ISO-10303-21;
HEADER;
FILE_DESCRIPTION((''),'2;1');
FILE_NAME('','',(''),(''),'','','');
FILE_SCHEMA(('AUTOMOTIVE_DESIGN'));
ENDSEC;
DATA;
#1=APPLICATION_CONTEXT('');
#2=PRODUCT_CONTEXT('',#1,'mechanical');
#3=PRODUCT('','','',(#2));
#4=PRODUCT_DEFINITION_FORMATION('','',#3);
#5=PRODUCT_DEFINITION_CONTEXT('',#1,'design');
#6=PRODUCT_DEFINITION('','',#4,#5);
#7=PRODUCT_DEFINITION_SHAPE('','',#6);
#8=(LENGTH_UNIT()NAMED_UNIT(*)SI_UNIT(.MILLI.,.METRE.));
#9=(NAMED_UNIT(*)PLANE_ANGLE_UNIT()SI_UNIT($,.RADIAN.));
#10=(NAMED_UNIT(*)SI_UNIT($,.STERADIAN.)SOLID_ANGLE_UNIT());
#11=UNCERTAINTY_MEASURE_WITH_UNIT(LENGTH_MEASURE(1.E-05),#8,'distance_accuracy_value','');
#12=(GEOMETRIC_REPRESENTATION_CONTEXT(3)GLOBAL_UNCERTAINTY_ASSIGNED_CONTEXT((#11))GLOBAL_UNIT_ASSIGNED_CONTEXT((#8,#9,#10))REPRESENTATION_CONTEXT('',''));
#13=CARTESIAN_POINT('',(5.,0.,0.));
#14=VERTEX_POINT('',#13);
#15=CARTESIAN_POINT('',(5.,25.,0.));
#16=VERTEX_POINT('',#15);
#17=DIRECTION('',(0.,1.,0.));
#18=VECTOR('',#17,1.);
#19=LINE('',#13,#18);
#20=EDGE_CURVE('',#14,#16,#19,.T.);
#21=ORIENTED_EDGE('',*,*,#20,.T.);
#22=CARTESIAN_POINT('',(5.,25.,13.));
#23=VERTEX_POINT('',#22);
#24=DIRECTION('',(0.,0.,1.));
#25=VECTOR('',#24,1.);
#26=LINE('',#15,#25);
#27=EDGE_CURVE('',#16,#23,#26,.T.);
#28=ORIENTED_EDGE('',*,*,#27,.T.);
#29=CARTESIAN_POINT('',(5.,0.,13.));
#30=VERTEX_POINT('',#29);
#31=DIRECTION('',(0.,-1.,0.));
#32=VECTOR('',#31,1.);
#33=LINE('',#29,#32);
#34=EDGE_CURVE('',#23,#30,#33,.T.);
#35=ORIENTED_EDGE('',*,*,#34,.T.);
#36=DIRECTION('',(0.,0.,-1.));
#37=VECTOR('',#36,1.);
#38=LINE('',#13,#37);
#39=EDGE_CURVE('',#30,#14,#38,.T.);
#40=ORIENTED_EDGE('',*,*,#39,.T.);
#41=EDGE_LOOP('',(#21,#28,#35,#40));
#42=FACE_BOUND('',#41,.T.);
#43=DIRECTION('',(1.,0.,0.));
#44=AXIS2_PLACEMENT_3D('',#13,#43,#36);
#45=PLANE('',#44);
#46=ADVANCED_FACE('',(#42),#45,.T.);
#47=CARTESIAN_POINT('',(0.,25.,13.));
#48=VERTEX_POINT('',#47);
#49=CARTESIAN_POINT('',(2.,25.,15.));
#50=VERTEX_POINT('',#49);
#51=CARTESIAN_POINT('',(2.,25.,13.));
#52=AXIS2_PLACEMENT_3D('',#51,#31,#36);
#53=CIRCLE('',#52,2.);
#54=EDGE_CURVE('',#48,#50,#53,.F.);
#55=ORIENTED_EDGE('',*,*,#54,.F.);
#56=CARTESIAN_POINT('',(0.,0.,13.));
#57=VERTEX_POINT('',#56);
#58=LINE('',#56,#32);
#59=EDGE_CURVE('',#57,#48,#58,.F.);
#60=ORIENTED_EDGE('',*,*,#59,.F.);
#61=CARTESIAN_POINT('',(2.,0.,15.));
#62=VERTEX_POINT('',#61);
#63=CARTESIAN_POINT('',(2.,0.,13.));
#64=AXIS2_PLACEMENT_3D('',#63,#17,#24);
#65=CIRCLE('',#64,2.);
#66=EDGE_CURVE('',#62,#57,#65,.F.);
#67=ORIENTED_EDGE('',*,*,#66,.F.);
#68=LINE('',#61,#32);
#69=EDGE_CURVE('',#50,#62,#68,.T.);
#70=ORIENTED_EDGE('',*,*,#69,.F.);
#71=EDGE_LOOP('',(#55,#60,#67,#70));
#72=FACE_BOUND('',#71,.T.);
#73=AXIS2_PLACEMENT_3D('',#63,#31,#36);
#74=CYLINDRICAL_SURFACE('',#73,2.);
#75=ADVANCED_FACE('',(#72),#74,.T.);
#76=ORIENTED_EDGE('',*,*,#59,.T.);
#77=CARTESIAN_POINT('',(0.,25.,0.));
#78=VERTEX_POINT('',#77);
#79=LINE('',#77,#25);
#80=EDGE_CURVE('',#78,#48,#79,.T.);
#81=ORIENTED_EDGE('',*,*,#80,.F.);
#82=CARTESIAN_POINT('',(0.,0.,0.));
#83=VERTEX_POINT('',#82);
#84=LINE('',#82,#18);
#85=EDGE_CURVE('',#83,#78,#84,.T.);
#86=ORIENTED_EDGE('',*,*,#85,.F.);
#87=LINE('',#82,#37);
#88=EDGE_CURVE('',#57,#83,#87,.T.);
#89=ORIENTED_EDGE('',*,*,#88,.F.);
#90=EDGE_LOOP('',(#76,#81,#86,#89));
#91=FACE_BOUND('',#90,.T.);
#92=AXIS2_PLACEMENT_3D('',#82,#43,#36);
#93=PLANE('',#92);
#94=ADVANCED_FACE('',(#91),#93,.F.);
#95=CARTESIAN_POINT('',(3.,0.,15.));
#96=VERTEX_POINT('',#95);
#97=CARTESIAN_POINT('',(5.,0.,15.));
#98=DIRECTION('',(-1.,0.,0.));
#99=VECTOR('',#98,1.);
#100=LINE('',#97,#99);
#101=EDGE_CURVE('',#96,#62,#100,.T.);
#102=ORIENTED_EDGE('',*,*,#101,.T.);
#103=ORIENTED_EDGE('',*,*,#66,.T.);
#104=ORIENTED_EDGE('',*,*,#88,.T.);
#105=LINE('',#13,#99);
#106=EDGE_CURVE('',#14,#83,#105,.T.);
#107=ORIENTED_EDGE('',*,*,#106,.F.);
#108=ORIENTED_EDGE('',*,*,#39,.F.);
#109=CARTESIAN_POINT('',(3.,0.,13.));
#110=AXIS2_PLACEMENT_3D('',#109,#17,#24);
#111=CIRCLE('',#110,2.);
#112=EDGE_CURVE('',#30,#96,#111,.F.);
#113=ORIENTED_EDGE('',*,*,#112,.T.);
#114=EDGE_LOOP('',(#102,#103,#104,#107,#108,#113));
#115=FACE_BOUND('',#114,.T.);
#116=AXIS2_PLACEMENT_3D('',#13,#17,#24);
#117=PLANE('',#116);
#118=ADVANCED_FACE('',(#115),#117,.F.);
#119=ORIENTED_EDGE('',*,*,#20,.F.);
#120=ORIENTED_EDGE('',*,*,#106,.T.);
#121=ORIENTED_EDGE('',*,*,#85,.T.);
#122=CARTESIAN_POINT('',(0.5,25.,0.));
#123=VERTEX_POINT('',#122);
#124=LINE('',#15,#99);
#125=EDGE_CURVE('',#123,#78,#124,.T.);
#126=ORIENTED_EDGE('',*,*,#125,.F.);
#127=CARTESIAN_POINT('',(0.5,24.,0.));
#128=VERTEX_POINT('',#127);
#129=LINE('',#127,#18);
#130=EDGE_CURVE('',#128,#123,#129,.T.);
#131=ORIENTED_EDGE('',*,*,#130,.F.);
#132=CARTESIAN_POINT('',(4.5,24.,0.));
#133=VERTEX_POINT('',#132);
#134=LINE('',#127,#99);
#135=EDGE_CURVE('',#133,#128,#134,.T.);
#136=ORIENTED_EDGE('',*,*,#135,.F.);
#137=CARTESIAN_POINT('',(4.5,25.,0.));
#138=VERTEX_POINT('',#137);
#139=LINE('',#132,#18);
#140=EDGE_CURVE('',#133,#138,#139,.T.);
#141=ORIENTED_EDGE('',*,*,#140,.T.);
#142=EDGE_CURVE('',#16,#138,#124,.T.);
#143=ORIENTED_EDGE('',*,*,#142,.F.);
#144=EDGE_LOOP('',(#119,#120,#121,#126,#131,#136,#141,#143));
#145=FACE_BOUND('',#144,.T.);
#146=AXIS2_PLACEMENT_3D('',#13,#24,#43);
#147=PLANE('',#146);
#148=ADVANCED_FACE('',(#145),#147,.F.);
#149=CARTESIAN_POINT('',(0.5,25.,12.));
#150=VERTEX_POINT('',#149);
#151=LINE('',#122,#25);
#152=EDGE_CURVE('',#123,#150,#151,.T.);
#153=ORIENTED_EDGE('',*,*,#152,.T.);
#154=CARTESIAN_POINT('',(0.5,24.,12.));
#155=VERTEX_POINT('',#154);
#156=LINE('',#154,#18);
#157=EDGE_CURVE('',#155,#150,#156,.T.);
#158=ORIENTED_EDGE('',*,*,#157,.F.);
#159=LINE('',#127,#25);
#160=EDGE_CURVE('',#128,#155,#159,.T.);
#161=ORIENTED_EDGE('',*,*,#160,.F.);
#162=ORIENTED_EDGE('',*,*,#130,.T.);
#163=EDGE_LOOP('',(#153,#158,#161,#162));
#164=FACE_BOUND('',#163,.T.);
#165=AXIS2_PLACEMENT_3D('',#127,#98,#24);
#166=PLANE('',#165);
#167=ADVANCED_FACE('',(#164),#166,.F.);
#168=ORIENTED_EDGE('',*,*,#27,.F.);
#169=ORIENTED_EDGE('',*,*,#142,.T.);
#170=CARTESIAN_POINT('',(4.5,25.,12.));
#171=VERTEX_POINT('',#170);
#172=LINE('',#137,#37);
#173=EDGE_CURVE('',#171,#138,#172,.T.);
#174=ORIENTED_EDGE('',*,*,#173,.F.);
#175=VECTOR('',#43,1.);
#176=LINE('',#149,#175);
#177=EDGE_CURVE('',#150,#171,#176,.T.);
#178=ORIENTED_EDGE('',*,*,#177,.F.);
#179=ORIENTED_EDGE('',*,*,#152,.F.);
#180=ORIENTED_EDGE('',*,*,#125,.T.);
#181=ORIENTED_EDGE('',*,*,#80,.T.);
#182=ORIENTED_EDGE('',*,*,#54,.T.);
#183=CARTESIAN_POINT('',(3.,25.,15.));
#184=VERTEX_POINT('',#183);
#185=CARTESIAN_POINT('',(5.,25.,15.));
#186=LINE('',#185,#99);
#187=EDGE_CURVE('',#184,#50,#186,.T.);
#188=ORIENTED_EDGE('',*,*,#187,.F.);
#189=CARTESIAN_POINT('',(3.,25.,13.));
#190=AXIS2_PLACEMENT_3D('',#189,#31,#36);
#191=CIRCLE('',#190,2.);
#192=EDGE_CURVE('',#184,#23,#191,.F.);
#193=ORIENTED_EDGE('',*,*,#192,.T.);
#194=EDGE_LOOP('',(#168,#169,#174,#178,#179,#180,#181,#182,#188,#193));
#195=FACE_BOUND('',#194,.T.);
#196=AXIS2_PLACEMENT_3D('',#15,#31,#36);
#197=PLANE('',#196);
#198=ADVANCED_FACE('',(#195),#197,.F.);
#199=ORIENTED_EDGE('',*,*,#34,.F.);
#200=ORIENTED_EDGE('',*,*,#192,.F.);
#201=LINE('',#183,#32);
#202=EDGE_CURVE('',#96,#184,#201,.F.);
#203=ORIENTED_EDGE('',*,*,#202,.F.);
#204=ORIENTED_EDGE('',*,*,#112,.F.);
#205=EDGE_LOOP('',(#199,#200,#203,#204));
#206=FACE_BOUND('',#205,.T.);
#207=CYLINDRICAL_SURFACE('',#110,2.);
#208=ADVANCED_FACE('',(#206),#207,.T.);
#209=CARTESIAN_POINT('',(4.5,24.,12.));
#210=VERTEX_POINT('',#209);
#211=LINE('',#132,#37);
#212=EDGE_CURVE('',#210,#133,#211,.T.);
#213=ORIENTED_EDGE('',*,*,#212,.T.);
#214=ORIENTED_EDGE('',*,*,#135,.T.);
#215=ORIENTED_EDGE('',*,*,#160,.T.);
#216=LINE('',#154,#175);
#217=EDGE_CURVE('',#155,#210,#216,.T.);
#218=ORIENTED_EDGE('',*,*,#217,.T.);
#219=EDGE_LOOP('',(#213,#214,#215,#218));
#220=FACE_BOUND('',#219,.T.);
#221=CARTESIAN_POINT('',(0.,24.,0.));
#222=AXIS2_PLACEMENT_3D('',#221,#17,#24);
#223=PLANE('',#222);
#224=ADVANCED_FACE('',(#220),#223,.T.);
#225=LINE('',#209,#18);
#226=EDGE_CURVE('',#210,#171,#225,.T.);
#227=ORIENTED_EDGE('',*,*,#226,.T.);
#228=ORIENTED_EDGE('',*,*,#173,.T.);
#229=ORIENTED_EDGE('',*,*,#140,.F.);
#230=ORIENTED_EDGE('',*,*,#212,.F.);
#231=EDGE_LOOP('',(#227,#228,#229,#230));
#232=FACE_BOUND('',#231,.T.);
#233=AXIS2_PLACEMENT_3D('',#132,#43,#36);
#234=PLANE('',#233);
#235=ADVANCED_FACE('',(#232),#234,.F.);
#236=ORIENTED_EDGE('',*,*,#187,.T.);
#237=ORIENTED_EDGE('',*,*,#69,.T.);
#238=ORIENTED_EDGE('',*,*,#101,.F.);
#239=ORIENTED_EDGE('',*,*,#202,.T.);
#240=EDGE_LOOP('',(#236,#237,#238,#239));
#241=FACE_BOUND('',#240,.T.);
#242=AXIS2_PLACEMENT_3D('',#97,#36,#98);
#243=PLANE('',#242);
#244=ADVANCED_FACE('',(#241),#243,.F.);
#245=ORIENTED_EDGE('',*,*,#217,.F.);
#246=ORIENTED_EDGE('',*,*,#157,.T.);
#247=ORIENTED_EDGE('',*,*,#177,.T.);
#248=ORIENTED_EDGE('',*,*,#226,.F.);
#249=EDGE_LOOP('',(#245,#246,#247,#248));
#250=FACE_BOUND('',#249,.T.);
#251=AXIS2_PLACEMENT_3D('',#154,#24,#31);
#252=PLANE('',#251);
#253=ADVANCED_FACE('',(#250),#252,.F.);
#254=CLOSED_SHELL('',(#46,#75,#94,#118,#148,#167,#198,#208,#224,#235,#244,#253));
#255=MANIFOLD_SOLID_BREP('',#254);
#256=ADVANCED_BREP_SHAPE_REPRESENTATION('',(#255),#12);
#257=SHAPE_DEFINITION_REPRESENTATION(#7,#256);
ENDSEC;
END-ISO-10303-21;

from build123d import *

# Parameters (mm, degrees)
SKETCH1_W           = 15
SKETCH1_H           = 25
BOSS_EXTRUDE1_DEPTH = 5
FILLET1_R           = 2
SKETCH2_W           = 4
SKETCH2_H           = 12
CUT_EXTRUDE1_DEPTH  = 1


with BuildPart() as part:
    # Sketch1 → Boss-Extrude1 (new body)
    with BuildSketch(Plane(origin=(0, 0, 0), x_dir=(0, 0, -1), z_dir=(1, 0, 0))):
        with Locations((-7.5, 12.5)):
            Rectangle(SKETCH1_W, SKETCH1_H)
    extrude(amount=BOSS_EXTRUDE1_DEPTH)

    # Fillet1
    fillet1_edges = [part.edges().sort_by_distance(p)[0] for p in [
        (5, 12.5, 15),
        (0, 12.5, 15),
    ]]
    fillet(fillet1_edges, radius=FILLET1_R)

    # Sketch2 → Cut-Extrude1 (cut)
    with BuildSketch(Plane(origin=(0, 25, 0), x_dir=(1, 0, 0), z_dir=(0, 1, 0))):
        with Locations((2.5, -6)):
            Rectangle(SKETCH2_W, SKETCH2_H)
    extrude(amount=-CUT_EXTRUDE1_DEPTH, mode=Mode.SUBTRACT)


solid = part.part
